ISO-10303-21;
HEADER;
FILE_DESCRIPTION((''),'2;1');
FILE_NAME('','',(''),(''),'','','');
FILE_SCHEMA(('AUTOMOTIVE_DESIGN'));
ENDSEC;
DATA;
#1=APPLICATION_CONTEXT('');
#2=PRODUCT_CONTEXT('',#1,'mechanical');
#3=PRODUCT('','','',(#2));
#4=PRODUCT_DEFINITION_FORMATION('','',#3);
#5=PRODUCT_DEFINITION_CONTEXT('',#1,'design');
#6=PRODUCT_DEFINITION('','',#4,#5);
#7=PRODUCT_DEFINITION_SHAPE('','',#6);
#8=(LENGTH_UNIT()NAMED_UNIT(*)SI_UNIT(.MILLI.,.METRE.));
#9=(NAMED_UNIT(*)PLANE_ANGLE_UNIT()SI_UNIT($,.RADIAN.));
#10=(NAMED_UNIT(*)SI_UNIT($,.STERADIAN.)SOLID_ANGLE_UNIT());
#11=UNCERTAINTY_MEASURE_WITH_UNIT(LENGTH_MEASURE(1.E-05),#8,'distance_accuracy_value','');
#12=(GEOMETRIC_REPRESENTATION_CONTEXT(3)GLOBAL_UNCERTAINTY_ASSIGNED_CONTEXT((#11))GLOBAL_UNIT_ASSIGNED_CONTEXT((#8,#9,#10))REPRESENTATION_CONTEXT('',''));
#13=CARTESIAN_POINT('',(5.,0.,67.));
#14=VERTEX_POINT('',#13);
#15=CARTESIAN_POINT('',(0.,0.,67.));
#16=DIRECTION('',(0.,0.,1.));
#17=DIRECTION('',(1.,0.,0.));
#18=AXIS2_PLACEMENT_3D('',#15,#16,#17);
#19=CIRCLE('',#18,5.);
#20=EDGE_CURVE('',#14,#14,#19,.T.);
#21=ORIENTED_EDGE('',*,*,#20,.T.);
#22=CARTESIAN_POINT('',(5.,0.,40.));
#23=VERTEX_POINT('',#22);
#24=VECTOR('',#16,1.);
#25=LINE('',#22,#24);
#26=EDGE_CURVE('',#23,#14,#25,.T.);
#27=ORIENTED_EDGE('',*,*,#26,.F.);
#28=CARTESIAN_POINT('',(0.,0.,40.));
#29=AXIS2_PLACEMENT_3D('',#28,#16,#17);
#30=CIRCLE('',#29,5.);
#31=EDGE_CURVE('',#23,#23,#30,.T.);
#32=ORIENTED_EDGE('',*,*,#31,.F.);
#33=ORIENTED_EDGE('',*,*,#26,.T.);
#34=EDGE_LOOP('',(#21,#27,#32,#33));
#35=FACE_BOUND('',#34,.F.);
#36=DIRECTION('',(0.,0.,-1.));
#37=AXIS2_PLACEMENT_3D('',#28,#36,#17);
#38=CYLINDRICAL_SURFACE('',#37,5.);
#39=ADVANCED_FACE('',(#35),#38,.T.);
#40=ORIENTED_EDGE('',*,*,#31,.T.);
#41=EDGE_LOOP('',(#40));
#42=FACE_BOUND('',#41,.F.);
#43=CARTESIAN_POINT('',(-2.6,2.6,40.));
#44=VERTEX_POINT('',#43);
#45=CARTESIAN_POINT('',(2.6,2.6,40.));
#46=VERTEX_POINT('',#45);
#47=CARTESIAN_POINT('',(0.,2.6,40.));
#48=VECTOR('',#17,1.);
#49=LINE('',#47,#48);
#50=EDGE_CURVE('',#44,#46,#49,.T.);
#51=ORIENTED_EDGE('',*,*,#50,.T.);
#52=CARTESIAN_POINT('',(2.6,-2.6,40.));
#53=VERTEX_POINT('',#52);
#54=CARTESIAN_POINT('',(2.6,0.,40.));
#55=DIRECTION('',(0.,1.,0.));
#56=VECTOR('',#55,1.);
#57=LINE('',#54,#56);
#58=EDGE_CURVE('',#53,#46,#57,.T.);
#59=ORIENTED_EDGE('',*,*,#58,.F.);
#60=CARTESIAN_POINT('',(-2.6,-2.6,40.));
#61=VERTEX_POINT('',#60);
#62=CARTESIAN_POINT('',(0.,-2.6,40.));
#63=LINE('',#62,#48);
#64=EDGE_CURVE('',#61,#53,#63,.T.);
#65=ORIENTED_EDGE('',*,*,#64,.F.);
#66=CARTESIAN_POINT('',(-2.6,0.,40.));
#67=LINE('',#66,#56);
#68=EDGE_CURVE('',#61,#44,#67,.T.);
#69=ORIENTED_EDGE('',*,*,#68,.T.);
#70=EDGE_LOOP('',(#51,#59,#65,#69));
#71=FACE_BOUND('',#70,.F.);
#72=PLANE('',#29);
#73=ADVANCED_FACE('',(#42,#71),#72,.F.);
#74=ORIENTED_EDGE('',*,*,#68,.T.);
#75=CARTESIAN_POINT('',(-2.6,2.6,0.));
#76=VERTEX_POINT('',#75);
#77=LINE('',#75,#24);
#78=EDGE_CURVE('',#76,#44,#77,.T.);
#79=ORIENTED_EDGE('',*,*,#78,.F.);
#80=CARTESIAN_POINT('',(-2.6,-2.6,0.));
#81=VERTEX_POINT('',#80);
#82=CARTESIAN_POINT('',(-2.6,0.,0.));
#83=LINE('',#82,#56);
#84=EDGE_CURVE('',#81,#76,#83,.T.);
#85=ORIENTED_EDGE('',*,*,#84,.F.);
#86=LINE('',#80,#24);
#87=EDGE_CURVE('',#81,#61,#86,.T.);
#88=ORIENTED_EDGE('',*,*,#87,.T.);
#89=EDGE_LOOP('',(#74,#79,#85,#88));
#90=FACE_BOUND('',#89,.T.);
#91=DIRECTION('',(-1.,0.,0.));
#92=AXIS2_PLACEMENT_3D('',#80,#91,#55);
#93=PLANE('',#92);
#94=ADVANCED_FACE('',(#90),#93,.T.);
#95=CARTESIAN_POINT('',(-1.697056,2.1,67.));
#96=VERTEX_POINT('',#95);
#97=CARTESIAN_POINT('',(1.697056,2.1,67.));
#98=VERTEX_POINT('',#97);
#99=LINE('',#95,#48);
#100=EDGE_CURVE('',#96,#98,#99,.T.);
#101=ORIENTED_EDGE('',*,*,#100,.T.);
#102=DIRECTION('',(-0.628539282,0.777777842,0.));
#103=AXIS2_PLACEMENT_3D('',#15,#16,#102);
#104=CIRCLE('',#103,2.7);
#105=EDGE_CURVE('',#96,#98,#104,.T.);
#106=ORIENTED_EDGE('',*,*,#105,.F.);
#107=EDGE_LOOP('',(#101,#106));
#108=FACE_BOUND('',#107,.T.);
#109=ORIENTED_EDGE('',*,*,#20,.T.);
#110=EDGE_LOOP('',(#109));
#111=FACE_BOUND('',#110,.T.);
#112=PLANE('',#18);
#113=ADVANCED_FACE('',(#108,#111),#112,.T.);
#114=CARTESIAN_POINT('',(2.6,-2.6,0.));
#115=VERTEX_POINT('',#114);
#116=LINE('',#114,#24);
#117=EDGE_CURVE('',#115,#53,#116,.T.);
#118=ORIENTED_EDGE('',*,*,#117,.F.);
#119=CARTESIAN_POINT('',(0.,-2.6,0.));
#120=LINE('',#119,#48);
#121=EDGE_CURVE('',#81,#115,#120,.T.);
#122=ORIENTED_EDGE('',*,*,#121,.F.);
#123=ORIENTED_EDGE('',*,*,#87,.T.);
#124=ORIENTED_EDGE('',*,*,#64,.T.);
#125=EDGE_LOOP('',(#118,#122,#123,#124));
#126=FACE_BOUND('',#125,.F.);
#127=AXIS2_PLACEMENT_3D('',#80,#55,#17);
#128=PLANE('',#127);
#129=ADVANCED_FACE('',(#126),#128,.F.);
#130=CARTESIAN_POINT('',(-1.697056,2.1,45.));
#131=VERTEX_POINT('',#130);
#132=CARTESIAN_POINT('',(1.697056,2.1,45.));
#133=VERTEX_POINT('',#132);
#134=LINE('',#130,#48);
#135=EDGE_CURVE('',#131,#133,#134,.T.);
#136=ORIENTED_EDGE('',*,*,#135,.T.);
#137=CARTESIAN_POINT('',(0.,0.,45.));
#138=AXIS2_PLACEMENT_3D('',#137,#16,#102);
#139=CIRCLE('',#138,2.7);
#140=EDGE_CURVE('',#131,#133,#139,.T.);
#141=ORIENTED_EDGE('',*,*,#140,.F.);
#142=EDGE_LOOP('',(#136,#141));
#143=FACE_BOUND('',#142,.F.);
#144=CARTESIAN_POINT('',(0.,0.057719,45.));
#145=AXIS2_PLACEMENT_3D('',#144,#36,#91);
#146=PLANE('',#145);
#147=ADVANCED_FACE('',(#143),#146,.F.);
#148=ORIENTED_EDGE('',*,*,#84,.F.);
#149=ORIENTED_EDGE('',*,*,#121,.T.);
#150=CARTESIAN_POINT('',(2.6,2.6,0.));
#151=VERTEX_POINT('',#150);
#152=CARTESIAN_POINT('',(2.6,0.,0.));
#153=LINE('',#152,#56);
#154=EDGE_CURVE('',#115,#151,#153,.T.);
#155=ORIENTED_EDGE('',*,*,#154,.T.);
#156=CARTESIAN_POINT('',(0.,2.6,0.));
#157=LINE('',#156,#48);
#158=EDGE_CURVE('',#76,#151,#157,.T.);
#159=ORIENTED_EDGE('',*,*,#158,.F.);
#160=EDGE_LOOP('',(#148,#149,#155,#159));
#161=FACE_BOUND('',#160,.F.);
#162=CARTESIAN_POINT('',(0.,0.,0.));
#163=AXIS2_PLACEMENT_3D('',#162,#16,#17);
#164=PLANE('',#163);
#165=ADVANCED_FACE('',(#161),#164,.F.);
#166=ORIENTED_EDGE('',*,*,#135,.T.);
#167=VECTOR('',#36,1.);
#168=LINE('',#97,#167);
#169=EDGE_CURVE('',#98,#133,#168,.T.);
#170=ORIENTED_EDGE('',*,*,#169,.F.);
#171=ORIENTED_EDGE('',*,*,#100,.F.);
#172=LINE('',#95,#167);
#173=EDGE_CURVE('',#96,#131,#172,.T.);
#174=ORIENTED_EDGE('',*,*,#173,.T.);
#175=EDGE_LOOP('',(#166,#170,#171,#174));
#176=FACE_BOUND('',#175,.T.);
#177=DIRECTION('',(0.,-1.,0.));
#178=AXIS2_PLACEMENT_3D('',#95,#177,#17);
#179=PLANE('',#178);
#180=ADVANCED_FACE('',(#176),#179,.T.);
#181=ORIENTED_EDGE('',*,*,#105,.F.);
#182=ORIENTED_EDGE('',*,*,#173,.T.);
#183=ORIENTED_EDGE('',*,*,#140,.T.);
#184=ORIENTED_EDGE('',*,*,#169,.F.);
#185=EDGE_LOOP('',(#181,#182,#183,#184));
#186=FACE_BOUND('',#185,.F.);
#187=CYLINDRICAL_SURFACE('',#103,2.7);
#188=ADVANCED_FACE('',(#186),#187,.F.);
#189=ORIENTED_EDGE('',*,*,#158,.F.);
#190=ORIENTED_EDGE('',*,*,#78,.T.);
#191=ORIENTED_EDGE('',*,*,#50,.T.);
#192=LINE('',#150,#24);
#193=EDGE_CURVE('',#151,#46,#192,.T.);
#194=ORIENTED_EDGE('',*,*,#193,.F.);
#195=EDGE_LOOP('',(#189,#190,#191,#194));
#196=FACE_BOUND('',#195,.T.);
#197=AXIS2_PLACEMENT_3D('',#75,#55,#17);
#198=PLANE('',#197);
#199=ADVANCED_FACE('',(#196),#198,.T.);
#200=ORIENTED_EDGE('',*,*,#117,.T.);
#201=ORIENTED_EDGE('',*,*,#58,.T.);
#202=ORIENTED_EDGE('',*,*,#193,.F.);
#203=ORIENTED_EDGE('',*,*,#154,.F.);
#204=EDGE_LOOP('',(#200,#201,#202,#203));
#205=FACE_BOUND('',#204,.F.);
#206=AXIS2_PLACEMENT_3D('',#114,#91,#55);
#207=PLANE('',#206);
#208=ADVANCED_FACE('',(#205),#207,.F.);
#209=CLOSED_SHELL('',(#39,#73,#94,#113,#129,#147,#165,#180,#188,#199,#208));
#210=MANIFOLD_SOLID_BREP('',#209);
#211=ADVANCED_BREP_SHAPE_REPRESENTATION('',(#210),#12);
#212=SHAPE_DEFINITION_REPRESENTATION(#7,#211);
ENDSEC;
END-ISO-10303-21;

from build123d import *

# Parameters (mm, degrees)
SKETCH_W     = 5.2
SKETCH_H     = 5.2
PAD_DEPTH    = 40
SKETCH001_R  = 5
PAD001_DEPTH = 27
POCKET_DEPTH = 22


with BuildPart() as part:
    # Sketch → Pad (new body)
    with BuildSketch(Plane.XY):
        Rectangle(SKETCH_W, SKETCH_H)
    extrude(amount=PAD_DEPTH)

    # Sketch001 → Pad001 (new body)
    with BuildSketch(Plane.XY.offset(40)):
        Circle(SKETCH001_R)
    extrude(amount=PAD001_DEPTH)

    # Sketch002 → Pocket (cut)
    with BuildSketch(Plane.XY.offset(67)):
        with BuildLine():
            Line((-1.697056, 2.1), (1.697056, 2.1))
            ThreePointArc((-1.697056, 2.1), (0, -2.7), (1.697056, 2.1))
        make_face()
    extrude(amount=-POCKET_DEPTH, mode=Mode.SUBTRACT)


solid = part.part
